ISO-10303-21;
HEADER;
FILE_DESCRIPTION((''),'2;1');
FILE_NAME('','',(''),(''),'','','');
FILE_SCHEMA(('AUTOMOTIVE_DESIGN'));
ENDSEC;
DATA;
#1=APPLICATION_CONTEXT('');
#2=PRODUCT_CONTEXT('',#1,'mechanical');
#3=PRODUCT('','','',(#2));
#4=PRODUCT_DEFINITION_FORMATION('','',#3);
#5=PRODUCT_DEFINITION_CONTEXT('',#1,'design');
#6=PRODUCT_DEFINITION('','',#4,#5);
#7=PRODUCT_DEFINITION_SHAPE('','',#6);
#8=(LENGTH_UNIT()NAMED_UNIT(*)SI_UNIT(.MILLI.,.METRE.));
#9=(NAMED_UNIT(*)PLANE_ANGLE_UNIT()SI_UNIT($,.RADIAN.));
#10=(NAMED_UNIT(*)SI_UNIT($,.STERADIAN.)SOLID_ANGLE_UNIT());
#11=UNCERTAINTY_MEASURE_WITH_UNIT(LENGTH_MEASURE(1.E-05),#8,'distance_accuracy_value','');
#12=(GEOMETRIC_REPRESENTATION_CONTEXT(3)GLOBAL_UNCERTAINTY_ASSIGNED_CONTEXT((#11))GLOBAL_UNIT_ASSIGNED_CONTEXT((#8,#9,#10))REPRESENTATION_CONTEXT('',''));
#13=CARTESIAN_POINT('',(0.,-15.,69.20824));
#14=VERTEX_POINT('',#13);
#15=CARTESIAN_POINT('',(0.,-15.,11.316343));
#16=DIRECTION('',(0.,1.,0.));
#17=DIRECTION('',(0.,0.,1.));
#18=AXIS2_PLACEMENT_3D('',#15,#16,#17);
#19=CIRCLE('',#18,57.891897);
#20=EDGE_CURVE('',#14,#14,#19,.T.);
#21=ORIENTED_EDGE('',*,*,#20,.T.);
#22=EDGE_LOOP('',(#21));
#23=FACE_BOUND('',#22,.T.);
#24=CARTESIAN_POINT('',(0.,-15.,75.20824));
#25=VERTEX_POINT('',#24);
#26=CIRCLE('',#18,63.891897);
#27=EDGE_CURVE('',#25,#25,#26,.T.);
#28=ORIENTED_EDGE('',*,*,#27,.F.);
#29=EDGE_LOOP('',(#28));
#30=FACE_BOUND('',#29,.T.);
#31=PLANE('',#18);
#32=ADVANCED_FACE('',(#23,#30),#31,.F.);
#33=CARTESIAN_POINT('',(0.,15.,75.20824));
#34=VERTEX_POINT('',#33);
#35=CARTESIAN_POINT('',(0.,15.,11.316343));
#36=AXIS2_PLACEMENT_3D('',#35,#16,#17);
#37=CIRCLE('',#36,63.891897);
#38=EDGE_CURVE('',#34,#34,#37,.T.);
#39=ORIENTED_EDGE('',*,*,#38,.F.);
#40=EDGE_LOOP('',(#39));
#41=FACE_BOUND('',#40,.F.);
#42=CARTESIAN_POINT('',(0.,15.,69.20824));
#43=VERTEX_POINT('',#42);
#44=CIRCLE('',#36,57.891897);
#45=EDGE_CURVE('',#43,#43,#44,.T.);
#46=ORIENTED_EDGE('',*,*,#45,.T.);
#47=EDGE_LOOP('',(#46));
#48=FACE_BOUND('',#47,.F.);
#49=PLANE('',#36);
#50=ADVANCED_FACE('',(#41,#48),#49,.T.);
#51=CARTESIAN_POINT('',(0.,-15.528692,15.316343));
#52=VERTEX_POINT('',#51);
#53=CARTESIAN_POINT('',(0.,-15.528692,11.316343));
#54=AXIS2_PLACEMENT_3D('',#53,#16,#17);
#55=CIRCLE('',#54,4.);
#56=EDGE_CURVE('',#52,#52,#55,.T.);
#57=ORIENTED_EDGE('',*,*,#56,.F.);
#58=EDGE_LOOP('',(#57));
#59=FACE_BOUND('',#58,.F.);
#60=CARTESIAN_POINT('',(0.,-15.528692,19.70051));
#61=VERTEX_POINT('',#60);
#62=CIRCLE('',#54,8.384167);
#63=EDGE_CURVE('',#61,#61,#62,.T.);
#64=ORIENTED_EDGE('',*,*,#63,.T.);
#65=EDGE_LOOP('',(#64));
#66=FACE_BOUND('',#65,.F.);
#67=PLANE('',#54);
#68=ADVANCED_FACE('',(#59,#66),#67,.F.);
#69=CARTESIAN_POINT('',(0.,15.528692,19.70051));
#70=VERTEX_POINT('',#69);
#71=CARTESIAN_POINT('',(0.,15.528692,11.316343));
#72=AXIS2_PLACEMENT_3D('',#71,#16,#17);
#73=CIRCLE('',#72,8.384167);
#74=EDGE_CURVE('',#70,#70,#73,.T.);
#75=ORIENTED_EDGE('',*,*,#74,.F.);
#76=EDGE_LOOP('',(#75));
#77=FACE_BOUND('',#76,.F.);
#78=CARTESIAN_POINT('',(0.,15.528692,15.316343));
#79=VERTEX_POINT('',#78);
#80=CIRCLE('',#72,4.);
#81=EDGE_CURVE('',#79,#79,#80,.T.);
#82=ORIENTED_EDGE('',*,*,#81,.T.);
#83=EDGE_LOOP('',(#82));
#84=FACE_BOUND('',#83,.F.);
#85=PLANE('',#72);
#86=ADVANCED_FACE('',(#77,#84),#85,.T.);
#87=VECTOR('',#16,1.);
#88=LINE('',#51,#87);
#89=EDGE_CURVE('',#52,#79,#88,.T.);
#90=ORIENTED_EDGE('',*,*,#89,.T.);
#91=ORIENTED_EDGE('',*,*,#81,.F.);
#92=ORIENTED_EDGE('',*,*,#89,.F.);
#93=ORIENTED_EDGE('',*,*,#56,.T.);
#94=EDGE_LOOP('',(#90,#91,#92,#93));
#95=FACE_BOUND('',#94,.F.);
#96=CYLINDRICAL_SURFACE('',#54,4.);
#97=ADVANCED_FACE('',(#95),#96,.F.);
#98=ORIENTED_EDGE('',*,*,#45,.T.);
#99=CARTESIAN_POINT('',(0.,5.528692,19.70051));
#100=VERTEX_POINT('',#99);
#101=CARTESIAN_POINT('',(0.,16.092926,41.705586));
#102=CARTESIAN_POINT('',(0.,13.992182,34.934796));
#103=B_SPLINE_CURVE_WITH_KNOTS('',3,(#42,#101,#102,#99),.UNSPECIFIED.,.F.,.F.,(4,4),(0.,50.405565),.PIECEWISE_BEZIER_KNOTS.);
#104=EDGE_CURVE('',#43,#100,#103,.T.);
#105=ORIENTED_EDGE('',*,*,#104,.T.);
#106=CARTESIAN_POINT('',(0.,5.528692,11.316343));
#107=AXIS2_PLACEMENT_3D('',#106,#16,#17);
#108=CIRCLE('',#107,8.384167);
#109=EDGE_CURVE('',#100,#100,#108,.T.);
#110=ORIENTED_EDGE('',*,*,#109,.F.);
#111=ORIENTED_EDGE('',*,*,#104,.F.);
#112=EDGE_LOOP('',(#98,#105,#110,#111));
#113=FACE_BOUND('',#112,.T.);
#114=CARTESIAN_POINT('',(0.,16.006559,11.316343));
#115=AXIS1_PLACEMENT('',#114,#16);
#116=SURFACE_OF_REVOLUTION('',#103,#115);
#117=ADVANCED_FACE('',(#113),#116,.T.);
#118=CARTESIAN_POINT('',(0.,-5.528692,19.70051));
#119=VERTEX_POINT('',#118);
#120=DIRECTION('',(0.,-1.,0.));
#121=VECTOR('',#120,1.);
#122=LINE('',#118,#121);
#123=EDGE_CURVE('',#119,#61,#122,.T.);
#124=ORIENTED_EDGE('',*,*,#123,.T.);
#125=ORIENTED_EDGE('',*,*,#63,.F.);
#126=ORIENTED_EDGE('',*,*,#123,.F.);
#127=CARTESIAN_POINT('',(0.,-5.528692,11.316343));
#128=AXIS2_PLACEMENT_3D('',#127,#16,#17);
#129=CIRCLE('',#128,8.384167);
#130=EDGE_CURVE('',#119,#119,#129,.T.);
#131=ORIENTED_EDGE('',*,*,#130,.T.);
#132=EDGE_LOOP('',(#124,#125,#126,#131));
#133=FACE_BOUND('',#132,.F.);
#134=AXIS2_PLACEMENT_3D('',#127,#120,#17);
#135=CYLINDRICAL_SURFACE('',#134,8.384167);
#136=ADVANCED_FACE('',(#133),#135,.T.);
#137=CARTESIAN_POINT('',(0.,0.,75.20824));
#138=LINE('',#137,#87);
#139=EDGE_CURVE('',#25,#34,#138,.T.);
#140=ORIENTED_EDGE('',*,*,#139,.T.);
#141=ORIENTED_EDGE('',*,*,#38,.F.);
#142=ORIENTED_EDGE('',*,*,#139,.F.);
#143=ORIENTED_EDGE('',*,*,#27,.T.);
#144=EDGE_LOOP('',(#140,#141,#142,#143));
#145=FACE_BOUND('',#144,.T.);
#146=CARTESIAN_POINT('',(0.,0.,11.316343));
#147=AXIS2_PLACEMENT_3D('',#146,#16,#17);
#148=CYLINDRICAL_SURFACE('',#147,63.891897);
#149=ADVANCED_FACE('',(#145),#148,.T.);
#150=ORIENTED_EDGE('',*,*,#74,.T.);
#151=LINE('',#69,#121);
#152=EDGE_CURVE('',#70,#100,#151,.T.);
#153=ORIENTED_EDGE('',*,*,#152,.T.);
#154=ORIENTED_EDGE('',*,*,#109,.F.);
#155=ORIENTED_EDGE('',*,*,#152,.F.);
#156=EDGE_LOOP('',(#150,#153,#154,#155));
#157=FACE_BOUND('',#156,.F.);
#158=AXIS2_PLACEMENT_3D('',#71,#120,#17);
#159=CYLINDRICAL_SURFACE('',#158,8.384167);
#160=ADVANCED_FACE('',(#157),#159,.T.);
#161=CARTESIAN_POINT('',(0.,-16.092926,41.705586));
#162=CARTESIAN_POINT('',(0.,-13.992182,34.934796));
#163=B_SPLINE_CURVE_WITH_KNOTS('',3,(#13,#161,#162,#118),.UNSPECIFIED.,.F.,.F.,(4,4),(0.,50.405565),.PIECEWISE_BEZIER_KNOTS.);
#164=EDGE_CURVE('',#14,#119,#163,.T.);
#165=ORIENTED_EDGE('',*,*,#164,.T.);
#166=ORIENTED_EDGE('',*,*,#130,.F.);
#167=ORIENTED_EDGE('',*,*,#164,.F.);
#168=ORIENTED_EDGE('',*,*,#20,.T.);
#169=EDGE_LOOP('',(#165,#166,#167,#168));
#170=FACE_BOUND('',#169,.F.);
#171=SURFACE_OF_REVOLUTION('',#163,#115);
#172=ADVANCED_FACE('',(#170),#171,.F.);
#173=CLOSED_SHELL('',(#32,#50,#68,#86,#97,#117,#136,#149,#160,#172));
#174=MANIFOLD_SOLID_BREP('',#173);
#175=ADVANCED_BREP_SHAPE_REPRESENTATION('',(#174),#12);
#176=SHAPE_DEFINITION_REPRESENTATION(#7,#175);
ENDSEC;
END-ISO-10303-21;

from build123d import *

# Parameters (mm, degrees)
F0_W = 30
F0_H = 6


with BuildPart() as f1:
    # F0 (on Right) → F1 (revolve)
    with BuildSketch(Plane.YZ):
        with Locations((0, 72.20824)):
            Rectangle(F0_W, F0_H)
        with BuildLine():
            add(Edge.make_bspline(
                [(15, 69.20824), (16.092926, 41.705586), (13.992182, 34.934796), (5.528692, 19.70051)],
                knots=[0, 0, 0, 0, 50.405565, 50.405565, 50.405565, 50.405565], degree=3))
            Line((15, 69.20824), (-15, 69.20824))
            add(Edge.make_bspline(
                [(-15, 69.20824), (-16.092926, 41.705586), (-13.992182, 34.934796), (-5.528692, 19.70051)],
                knots=[0, 0, 0, 0, 50.405565, 50.405565, 50.405565, 50.405565], degree=3))
            Line((-5.528692, 19.70051), (-15.528692, 19.70051))
            Line((-15.528692, 19.70051), (-15.528692, 15.316343))
            Line((-15.528692, 15.316343), (-5.568251, 15.316343))
            Line((-5.568251, 15.316343), (5.568251, 15.316343))
            Line((5.568251, 15.316343), (15.528692, 15.316343))
            Line((15.528692, 15.316343), (15.528692, 19.70051))
            Line((15.528692, 19.70051), (5.528692, 19.70051))
        make_face()
    revolve(axis=Axis((0, 16.006559, 11.316343), (0, 1, 0)))


solid = f1.part
